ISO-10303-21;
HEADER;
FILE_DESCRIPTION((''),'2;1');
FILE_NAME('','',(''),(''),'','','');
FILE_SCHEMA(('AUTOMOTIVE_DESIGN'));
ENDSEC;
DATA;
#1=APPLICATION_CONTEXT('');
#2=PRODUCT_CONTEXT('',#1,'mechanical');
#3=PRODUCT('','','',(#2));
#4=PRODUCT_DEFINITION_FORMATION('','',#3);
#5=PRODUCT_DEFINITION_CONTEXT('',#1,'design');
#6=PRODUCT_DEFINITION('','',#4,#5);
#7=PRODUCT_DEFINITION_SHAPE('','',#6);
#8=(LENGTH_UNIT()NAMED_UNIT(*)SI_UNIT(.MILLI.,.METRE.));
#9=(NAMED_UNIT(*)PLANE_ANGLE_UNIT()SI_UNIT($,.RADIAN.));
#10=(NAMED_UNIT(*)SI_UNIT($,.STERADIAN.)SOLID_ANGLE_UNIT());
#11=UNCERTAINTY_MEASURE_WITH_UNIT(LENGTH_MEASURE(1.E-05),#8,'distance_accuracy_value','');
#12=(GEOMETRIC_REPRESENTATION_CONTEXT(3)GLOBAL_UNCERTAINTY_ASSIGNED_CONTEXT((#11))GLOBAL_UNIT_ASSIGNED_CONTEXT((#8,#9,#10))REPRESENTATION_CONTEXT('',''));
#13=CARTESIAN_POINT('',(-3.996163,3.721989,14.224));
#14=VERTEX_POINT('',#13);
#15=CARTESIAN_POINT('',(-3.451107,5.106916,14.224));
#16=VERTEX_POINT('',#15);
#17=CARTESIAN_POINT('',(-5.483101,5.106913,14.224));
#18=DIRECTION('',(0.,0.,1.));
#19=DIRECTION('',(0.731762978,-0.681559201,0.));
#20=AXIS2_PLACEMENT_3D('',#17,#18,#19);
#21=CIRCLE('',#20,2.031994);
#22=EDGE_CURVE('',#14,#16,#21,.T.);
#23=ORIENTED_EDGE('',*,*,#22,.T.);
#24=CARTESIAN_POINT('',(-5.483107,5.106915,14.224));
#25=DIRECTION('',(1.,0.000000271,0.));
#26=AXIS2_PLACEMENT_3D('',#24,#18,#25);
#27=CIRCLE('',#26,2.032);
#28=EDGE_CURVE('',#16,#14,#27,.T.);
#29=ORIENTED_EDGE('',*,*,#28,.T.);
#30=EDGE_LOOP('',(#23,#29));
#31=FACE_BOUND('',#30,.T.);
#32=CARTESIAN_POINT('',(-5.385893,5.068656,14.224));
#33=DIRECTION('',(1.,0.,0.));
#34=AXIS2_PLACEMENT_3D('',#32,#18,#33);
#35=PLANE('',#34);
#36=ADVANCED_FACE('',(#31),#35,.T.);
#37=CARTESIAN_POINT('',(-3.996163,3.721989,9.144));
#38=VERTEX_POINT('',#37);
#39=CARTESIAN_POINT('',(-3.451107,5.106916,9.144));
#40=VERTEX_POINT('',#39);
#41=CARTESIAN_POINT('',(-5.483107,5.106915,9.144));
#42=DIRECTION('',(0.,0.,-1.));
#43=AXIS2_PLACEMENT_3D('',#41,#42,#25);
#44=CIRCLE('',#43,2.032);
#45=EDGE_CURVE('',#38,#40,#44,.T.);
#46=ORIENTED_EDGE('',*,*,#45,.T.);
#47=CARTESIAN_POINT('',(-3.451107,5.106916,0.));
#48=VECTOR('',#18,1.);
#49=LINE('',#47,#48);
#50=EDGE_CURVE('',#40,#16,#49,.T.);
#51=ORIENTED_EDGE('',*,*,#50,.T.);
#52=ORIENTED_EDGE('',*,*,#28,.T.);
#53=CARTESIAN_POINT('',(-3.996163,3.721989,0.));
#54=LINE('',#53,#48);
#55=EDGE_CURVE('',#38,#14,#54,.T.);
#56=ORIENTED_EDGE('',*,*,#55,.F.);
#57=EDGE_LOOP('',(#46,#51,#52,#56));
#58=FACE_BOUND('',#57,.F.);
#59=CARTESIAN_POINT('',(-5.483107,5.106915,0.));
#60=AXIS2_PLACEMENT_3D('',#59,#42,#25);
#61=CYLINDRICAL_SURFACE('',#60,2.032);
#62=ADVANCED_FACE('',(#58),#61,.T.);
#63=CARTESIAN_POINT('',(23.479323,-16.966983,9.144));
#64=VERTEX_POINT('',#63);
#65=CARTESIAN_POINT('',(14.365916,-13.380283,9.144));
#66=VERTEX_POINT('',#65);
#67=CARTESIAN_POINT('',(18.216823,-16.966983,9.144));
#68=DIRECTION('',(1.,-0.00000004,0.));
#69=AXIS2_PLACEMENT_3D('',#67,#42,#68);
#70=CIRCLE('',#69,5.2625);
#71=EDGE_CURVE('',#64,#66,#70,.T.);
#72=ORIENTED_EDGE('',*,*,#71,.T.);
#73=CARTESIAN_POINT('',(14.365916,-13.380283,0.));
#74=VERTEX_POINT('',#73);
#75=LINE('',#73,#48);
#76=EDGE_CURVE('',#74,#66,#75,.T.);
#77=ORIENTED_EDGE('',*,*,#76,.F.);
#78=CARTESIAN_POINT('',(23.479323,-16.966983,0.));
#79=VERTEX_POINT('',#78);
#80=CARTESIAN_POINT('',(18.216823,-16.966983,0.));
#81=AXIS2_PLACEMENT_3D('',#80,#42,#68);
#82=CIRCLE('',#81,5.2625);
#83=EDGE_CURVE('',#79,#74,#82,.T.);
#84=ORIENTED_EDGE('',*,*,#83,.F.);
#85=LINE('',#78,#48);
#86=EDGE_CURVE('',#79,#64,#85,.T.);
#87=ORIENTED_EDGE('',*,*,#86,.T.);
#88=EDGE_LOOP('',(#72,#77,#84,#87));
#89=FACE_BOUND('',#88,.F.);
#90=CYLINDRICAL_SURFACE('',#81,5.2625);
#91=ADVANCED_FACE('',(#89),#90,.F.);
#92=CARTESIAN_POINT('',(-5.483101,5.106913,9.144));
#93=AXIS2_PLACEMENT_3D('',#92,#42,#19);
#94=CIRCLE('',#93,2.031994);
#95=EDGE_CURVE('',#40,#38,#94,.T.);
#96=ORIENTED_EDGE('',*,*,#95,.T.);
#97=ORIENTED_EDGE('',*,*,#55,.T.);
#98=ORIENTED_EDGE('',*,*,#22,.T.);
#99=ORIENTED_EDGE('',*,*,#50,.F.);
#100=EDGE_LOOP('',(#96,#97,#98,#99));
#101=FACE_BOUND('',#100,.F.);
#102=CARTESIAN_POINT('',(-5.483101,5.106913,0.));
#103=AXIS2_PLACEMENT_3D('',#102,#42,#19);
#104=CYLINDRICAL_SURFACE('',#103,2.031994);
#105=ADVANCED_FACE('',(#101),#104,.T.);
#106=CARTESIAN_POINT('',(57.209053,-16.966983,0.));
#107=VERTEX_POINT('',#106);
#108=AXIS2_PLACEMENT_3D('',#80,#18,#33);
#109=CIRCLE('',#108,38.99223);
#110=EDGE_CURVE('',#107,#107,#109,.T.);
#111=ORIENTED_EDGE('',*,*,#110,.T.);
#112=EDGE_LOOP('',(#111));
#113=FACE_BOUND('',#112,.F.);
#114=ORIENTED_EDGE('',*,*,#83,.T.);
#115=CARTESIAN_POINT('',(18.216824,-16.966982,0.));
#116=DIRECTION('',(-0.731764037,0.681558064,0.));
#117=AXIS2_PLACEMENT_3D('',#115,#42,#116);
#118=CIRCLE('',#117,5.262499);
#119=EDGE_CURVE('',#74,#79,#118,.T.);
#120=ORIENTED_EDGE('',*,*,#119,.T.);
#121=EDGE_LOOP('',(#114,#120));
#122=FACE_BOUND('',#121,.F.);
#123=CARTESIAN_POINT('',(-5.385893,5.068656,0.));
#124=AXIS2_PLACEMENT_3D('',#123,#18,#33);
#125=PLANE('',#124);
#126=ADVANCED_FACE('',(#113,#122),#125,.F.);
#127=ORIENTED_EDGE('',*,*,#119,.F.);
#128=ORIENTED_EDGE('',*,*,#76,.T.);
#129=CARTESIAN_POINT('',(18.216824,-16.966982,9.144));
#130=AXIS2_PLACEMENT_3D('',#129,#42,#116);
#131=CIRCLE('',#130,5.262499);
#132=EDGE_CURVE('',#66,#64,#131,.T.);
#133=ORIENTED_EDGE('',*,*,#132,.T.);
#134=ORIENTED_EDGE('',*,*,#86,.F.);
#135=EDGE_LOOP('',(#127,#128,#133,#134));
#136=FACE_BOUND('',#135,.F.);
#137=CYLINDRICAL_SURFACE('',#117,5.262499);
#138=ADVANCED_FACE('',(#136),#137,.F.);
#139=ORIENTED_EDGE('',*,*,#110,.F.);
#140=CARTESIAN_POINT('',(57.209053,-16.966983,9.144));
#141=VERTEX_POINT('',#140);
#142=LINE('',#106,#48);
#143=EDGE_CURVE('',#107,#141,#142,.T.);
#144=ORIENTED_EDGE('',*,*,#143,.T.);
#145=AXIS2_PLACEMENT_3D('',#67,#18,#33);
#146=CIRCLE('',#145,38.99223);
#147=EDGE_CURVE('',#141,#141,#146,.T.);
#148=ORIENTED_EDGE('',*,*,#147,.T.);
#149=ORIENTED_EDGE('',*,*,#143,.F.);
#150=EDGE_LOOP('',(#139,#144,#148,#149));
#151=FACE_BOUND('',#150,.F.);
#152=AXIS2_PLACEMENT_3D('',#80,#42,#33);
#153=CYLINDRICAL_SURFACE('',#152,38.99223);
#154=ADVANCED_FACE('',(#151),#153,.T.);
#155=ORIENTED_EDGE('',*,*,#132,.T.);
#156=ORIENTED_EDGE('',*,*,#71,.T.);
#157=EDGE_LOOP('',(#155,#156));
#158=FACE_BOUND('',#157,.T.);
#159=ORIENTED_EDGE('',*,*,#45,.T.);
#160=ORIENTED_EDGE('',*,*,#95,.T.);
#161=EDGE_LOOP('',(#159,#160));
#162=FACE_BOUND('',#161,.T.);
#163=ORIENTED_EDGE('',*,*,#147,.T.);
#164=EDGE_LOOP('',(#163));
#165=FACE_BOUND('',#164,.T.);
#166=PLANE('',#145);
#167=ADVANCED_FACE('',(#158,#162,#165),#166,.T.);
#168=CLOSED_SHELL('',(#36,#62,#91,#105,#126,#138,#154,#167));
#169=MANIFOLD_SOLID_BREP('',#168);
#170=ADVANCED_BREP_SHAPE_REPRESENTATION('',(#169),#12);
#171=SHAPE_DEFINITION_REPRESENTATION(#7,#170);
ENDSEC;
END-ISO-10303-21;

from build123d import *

# Parameters (mm, degrees)
F0_R     = 38.99223
F1_DEPTH = 9.144
F2_DEPTH = 14.224


with BuildPart() as f1:
    # F0 (on Top) → F1 (new body)
    with BuildSketch(Plane.XY):
        with Locations((18.216823, -16.966983)):
            Circle(F0_R)
        with BuildLine():
            ThreePointArc((-3.451107, 5.106916), (-3.592274, 4.362754), (-3.996163, 3.721989))
            ThreePointArc((-3.996163, 3.721989), (-7.373939, 5.851077), (-3.451107, 5.106916))
        make_face(mode=Mode.SUBTRACT)
        with BuildLine():
            ThreePointArc((14.365916, -13.380283), (20.144063, -12.07008), (23.479323, -16.966983))
            ThreePointArc((23.479323, -16.966983), (16.289584, -21.863885), (14.365916, -13.380283))
        make_face(mode=Mode.SUBTRACT)
        with BuildLine():
            ThreePointArc((-3.451107, 5.106916), (-7.373939, 5.851077), (-3.996163, 3.721989))
            ThreePointArc((-3.996163, 3.721989), (-3.592274, 4.362754), (-3.451107, 5.106916))
        make_face()
    extrude(amount=F1_DEPTH)

    # F0 (on Top) → F2 (join)
    with BuildSketch(Plane.XY):
        with BuildLine():
            ThreePointArc((-3.451107, 5.106916), (-7.373939, 5.851077), (-3.996163, 3.721989))
            ThreePointArc((-3.996163, 3.721989), (-3.592274, 4.362754), (-3.451107, 5.106916))
        make_face()
    extrude(amount=F2_DEPTH)


solid = f1.part
